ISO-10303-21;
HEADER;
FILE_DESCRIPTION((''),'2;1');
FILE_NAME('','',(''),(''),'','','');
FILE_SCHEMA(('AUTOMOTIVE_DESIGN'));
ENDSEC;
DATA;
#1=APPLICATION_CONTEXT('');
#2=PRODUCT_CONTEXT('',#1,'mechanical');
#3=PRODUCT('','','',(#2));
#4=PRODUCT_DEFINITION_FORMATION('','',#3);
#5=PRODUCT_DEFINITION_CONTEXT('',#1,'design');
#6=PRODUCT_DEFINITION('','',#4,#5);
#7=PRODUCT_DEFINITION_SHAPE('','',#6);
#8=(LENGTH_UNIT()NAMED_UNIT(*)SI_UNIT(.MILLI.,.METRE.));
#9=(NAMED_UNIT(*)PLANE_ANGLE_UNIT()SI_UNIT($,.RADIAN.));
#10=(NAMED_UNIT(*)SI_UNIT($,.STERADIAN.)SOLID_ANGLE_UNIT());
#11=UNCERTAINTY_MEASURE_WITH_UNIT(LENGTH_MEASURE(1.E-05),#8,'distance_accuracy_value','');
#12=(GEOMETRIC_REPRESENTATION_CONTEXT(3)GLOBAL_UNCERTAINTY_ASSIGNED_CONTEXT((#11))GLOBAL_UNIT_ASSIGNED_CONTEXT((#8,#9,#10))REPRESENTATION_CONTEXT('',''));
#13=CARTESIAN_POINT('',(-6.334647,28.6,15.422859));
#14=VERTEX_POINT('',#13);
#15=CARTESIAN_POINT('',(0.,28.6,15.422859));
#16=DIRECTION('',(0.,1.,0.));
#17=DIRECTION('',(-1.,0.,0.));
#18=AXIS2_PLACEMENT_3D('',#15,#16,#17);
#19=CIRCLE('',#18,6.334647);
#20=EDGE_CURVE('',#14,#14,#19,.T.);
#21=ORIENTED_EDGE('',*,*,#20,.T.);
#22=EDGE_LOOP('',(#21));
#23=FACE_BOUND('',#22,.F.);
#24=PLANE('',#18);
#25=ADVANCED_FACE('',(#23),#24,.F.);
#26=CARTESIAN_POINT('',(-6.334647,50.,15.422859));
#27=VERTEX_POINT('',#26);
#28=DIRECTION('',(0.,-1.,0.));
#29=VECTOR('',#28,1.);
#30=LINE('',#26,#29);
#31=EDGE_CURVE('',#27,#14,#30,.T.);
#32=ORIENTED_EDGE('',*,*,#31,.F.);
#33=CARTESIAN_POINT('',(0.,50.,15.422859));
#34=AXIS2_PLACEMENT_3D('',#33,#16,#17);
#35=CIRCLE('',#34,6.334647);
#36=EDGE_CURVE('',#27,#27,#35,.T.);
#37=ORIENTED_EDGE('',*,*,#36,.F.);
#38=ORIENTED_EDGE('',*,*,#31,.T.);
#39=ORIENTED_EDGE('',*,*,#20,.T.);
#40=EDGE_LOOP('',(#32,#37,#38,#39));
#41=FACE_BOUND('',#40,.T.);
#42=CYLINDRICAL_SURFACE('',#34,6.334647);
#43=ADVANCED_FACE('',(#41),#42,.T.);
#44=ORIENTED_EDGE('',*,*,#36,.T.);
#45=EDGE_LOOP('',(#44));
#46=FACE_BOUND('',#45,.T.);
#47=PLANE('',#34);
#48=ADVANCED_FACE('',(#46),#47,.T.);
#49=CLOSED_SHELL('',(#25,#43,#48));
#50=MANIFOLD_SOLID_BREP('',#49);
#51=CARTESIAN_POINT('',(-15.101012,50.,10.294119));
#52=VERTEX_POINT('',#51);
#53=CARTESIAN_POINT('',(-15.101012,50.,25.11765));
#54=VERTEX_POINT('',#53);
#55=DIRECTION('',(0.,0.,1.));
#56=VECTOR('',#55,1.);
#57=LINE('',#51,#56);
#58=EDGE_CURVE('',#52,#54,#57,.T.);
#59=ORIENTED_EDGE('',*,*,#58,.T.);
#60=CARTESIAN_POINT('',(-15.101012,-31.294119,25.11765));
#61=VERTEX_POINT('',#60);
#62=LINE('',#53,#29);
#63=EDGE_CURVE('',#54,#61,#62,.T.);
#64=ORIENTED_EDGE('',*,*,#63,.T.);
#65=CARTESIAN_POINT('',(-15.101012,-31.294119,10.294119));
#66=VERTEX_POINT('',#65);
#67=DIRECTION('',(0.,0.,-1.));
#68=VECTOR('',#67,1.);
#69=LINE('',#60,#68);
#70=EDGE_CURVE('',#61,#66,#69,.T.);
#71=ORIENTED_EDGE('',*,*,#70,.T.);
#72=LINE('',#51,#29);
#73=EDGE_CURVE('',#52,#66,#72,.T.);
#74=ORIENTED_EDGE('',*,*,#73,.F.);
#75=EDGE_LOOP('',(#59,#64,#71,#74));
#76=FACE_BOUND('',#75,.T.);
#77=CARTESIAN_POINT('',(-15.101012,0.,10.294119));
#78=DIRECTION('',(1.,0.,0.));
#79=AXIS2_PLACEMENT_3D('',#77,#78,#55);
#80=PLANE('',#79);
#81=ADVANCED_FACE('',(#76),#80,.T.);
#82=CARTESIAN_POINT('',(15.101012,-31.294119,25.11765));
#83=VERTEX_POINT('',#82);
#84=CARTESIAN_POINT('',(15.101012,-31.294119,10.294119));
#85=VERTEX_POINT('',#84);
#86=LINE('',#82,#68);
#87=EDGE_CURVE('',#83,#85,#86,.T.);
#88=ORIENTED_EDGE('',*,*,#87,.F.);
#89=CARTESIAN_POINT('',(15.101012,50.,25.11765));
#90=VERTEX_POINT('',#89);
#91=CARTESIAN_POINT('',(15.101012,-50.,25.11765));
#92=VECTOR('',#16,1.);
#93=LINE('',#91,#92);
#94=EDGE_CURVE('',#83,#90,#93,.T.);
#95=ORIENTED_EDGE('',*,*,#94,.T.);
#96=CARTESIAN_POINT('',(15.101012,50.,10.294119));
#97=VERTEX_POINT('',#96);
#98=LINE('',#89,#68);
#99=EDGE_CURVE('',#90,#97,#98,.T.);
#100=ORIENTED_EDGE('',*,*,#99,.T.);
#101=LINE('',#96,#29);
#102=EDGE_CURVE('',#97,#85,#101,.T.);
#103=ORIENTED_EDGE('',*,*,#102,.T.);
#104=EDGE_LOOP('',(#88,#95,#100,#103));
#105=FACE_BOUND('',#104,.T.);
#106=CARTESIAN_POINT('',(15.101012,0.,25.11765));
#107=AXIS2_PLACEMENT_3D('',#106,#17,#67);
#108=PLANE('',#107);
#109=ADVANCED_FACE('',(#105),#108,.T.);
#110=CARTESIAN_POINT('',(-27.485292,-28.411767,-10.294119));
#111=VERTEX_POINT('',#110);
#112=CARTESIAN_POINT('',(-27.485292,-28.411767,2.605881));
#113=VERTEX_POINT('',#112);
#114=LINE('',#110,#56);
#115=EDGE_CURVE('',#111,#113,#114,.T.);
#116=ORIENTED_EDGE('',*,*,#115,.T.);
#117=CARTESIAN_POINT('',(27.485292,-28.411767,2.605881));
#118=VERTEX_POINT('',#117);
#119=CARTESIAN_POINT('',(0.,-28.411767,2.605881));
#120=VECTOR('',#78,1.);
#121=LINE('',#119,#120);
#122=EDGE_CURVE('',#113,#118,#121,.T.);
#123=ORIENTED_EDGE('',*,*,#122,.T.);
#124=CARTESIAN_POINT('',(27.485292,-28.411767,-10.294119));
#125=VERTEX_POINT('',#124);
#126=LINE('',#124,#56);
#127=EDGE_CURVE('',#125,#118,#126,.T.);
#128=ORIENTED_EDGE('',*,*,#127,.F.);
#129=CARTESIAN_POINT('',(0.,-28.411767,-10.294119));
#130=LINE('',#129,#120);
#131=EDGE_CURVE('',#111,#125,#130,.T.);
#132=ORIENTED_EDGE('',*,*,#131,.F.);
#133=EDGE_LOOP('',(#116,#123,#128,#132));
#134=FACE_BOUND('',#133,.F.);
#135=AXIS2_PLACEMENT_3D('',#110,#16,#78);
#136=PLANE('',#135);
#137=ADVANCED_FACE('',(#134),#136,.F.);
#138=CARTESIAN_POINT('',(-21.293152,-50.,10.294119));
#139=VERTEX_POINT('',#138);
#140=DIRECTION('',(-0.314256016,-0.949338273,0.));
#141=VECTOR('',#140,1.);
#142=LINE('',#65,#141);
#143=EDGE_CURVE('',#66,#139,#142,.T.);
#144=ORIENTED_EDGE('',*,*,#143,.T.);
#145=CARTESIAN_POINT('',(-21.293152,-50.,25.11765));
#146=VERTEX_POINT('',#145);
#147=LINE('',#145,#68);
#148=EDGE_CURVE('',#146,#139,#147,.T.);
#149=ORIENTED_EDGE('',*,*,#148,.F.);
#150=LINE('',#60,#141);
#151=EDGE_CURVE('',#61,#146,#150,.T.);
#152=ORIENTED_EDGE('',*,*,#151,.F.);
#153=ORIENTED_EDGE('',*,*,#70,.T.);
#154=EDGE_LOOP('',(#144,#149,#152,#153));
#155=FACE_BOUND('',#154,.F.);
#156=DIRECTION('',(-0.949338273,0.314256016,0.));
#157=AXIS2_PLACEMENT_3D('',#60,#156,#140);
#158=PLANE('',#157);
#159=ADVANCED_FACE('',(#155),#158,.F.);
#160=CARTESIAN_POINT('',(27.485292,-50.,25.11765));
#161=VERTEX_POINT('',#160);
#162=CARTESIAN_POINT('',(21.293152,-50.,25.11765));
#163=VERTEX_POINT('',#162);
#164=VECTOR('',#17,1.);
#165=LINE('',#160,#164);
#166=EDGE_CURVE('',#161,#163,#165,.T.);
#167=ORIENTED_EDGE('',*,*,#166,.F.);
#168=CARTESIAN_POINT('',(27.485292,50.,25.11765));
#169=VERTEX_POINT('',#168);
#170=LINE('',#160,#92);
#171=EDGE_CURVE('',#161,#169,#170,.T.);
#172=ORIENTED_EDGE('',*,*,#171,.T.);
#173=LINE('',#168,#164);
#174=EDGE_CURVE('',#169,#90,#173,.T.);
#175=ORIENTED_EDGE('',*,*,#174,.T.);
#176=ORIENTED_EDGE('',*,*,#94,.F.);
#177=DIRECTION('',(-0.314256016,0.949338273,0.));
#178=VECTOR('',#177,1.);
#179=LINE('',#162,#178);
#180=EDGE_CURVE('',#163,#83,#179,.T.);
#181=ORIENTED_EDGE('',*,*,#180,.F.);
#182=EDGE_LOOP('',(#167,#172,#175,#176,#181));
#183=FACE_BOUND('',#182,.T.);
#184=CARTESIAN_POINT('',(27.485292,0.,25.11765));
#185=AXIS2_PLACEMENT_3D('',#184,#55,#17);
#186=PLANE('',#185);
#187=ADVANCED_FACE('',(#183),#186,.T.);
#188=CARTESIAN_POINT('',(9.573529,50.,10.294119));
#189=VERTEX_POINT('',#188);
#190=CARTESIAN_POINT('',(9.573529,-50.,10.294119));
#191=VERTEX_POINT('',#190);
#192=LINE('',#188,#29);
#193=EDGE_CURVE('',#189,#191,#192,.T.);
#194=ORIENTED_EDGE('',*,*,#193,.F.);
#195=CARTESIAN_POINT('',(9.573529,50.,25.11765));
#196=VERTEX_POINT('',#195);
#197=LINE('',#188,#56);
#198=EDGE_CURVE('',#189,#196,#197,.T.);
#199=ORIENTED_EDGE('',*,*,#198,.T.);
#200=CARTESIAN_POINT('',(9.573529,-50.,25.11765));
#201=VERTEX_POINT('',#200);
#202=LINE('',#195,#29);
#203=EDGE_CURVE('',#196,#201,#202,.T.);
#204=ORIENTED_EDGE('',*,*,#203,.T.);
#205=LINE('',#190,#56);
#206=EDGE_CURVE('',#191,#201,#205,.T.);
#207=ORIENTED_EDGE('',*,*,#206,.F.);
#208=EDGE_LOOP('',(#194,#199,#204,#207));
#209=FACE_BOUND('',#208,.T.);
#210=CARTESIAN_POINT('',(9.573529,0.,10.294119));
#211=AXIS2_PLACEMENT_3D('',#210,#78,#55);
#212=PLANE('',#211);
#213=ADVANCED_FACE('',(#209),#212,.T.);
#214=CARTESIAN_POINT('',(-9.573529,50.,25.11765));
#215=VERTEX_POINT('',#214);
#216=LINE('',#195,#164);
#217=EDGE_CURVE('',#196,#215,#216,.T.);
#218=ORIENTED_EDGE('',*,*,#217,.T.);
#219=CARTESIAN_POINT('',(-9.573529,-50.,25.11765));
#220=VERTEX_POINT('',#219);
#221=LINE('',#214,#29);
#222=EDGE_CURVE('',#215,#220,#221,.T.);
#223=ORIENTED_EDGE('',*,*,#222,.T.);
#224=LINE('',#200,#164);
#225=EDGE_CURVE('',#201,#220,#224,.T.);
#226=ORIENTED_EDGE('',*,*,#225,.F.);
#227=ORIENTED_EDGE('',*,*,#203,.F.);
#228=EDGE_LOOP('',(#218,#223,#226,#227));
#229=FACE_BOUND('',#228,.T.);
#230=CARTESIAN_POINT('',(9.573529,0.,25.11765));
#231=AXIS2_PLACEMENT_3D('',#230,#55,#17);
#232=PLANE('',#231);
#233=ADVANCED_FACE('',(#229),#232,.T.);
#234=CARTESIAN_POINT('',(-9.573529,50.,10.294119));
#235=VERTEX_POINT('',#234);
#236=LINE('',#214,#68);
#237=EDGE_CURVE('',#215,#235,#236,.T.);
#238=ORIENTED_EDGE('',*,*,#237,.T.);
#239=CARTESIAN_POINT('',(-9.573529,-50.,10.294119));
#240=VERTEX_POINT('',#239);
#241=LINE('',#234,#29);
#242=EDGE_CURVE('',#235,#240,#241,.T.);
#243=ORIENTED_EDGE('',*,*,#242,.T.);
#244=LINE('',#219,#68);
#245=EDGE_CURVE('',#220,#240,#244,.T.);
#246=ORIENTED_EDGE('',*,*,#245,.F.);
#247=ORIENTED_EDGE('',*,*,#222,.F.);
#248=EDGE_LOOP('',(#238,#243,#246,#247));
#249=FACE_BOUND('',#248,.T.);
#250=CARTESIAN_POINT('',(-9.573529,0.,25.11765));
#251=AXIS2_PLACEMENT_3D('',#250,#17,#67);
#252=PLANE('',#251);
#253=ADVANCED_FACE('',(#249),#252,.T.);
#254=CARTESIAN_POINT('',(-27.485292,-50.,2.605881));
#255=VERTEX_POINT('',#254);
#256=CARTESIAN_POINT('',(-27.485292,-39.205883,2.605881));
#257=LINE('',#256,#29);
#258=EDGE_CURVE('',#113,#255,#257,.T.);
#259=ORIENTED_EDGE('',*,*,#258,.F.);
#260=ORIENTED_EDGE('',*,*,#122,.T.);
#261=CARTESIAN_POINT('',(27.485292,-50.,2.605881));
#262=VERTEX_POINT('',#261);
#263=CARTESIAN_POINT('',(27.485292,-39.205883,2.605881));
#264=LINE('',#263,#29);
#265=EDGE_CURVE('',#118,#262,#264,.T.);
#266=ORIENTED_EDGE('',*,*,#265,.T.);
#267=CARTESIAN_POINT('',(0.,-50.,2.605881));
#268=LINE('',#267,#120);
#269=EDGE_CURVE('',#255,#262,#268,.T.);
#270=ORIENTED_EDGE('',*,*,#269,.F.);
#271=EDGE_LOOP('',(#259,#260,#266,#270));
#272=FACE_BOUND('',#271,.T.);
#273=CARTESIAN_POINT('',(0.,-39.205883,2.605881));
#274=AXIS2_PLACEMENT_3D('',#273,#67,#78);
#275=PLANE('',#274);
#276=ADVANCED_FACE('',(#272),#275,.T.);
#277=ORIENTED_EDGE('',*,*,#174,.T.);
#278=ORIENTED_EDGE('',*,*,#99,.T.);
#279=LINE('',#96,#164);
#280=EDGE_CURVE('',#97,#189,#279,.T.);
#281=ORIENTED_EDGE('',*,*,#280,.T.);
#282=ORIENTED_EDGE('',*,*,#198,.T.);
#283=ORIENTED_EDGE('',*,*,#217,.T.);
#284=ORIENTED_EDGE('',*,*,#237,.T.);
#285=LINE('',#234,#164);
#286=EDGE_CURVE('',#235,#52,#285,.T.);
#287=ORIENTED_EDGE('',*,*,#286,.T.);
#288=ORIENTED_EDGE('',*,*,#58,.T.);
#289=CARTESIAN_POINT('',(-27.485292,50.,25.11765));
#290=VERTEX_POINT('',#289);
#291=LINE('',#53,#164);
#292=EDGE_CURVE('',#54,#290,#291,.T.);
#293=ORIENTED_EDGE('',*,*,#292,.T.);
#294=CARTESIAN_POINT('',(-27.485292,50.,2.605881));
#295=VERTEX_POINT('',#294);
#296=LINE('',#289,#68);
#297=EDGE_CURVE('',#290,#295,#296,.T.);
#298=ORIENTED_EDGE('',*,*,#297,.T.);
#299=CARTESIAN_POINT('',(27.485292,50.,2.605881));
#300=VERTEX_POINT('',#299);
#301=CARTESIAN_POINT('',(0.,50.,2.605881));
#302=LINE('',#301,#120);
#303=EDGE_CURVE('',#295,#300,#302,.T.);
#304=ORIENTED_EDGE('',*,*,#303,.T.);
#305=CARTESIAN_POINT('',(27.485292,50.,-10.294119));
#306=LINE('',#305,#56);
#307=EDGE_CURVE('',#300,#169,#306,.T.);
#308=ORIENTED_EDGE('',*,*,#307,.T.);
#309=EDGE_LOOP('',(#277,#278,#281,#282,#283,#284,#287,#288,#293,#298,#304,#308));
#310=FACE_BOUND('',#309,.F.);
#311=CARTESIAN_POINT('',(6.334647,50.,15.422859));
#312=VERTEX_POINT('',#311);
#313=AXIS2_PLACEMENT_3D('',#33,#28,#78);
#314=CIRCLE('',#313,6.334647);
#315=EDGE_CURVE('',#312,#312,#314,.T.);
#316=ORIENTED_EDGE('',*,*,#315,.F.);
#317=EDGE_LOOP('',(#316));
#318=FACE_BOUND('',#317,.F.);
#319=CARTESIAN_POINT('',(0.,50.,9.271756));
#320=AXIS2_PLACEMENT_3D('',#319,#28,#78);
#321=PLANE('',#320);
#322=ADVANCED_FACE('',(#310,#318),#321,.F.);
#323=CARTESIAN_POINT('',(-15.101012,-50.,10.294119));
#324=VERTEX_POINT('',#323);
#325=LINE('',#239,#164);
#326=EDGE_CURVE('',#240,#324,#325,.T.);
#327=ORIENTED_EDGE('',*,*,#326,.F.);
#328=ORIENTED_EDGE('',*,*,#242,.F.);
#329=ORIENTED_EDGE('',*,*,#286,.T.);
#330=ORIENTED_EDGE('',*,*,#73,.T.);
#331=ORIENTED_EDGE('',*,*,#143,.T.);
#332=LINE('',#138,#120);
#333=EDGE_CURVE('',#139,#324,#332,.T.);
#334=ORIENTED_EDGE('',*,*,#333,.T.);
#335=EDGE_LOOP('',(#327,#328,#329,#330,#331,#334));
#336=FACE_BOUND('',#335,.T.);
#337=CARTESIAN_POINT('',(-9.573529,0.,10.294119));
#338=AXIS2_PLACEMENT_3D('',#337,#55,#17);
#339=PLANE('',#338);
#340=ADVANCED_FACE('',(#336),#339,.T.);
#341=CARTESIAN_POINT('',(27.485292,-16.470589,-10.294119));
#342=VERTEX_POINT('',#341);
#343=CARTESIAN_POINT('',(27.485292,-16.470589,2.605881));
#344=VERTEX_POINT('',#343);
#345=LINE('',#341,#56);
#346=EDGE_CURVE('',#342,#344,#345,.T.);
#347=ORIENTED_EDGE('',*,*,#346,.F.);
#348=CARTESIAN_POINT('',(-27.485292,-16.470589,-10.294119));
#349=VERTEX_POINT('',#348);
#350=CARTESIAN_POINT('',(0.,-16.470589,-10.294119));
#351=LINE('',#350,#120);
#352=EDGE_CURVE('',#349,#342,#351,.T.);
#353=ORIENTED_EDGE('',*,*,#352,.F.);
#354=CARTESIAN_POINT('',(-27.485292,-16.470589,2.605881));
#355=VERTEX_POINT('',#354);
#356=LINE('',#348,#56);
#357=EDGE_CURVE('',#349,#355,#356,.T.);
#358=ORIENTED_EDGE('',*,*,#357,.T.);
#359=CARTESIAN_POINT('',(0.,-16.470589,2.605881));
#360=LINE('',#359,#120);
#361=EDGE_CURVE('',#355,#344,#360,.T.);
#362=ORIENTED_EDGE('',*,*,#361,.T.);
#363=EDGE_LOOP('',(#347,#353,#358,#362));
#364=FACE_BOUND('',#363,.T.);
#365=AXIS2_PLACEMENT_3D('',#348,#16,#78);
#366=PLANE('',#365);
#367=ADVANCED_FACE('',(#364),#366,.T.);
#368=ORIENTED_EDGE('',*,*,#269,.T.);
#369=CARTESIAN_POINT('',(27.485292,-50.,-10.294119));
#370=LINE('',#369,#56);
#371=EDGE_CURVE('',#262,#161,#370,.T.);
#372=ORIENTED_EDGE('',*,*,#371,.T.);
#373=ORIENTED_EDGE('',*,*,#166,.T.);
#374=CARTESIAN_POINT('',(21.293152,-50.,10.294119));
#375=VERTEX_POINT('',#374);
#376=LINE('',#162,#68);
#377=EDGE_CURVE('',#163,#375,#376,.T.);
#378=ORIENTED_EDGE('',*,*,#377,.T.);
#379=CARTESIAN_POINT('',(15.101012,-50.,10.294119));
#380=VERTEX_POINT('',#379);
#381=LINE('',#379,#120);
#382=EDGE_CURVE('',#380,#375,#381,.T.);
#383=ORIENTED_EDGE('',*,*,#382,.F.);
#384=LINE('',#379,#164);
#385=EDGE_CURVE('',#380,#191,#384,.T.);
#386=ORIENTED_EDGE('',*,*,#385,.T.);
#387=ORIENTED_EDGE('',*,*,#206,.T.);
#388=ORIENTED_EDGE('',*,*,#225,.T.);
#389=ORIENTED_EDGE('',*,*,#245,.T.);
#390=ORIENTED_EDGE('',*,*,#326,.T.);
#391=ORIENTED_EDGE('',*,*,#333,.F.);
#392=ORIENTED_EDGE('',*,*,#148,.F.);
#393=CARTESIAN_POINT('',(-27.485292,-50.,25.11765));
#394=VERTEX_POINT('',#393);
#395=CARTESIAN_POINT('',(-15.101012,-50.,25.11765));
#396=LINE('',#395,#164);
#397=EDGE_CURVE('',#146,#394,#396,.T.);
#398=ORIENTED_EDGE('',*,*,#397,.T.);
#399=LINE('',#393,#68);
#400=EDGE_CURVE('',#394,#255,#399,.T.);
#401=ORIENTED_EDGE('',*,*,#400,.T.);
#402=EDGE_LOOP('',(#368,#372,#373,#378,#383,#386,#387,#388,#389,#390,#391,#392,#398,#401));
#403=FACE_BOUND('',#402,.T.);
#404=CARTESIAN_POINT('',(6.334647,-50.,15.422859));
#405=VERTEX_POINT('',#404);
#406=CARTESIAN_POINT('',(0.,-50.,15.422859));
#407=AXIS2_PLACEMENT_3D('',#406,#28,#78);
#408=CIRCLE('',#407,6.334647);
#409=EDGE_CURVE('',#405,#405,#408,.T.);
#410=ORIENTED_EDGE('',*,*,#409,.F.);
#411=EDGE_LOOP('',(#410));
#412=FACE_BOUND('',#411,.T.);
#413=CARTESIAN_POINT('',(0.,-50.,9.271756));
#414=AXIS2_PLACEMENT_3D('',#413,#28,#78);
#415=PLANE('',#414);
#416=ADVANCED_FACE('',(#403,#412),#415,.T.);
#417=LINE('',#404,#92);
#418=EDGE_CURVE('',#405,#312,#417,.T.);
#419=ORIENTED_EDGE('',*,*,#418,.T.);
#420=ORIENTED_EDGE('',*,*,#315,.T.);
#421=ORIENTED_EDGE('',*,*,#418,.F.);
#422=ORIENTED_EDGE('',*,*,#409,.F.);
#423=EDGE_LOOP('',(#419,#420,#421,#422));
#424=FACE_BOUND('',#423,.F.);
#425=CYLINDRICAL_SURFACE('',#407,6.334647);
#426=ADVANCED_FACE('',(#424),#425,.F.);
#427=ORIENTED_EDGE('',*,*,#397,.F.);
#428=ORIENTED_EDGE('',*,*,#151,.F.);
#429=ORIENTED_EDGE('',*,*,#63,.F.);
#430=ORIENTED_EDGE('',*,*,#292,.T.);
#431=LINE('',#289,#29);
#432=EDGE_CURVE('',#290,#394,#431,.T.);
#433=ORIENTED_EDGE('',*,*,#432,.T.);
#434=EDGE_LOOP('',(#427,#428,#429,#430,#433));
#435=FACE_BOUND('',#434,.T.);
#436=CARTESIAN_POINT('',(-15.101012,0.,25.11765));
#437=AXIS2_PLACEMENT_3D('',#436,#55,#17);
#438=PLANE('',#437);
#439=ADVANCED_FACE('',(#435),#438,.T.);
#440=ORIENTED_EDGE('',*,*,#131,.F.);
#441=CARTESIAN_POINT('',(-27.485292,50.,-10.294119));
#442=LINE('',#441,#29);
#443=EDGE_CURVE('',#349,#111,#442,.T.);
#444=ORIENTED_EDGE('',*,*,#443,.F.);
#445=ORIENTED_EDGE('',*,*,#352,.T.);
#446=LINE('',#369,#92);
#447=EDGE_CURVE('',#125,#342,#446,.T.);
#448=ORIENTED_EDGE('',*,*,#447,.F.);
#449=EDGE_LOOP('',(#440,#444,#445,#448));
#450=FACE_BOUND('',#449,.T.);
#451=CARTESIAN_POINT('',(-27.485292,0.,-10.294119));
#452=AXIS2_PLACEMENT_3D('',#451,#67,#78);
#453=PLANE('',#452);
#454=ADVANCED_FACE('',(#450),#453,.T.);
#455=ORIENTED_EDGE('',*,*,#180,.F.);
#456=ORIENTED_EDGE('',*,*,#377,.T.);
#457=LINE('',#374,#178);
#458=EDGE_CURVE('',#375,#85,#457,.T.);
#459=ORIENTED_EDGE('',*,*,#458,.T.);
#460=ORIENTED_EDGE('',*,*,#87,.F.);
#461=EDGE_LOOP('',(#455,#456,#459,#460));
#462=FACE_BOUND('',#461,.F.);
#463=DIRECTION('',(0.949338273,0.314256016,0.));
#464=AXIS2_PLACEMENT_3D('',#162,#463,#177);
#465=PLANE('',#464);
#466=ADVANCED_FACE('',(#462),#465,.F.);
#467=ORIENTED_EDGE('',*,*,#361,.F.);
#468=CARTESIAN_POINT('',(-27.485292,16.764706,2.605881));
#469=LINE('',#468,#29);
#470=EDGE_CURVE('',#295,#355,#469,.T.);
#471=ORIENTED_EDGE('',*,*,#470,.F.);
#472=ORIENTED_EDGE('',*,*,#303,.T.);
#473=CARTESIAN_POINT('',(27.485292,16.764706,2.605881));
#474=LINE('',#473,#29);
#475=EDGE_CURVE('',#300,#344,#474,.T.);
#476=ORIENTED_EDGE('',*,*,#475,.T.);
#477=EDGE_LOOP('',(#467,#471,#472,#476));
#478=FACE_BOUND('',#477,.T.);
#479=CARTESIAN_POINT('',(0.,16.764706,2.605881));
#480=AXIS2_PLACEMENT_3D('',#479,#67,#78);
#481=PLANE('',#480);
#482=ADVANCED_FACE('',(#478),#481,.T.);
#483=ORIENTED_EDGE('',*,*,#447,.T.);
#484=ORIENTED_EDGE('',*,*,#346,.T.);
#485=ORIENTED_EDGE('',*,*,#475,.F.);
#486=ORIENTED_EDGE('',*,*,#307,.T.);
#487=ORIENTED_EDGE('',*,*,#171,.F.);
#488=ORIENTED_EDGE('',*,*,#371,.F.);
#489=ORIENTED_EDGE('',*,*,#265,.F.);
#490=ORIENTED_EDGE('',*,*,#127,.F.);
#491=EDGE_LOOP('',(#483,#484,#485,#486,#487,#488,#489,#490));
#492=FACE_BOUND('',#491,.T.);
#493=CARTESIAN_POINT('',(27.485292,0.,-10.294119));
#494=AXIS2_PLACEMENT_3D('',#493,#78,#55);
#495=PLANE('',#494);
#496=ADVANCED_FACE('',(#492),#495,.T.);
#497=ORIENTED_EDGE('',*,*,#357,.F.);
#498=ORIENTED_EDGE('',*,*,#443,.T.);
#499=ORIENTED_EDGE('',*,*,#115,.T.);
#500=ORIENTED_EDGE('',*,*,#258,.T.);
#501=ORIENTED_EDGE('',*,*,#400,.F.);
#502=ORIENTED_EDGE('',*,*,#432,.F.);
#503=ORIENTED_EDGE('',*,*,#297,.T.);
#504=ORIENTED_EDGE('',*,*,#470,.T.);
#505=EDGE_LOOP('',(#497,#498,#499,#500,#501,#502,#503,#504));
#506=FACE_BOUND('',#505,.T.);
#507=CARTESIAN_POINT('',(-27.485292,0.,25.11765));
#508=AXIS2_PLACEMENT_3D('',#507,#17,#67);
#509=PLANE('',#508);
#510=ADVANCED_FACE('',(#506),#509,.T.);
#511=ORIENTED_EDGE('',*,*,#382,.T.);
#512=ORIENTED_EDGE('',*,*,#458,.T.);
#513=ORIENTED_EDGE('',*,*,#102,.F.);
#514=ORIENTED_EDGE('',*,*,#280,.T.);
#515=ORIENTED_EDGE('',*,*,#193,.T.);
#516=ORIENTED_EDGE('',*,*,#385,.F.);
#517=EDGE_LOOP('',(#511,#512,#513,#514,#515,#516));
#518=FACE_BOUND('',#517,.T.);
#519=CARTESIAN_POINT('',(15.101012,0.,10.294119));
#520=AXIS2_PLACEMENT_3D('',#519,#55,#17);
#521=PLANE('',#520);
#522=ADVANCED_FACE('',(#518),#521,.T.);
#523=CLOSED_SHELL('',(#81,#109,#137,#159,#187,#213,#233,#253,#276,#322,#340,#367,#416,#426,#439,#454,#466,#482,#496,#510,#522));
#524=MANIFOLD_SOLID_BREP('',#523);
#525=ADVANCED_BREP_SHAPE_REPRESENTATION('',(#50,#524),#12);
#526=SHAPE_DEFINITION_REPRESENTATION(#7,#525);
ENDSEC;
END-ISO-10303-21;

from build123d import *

# Parameters (mm, degrees)
F1_DEPTH = 50
F2_W     = 54.9705848098
F2_H     = 21.5882334858
F2_H_2   = 66.4705887437
F3_DEPTH = 12.9
F5_DEPTH = 14.8235308006
F6_R     = 6.3346465425
F7_DEPTH = 114.6
F8_R     = 6.3346465425
F9_DEPTH = 21.4


with BuildPart() as f1:
    # F0 (on Front) → F1 (new body, symmetric)
    with BuildSketch(Plane.XZ):
        Polygon((15.1010118425, 25.1176496968), (15.1010118425, 10.2941188961), (9.5735294744, 10.2941188961), (9.5735294744, 25.1176496968), (-9.5735294744, 25.1176496968), (-9.5735294744, 10.2941188961), (-15.1010118425, 10.2941188961), (-15.1010118425, 25.1176496968), (-27.4852924049, 25.1176496968), (-27.4852924049, 10.2941188961), (-27.4852924049, -10.2941188961), (-15.1010118425, -10.2941188961), (27.4852924049, -10.2941188961), (27.4852924049, 10.2941188961), (27.4852924049, 25.1176496968), align=None)
    extrude(amount=F1_DEPTH, both=True)

    # F2 (on face) → F3 (cut)
    with BuildSketch(Plane(origin=(0, 0, -10.2941188961), x_dir=(1, 0, 0), z_dir=(0, 0, -1))):
        with Locations((0, 39.2058832571)):
            Rectangle(F2_W, F2_H)
        with Locations((0, -16.7647056282)):
            Rectangle(F2_W, F2_H_2)
    extrude(amount=-F3_DEPTH, mode=Mode.SUBTRACT)

    # F4 (on face) → F5 (cut, through all)
    with BuildSketch(Plane.XY.offset(25.1176496968)):
        Polygon((-15.1010118425, -31.294118613), (-21.2931521237, -50), (-15.1010118425, -50), align=None)
        Polygon((15.1010118425, -50), (21.2931521237, -50), (15.1010118425, -31.294118613), align=None)
    extrude(amount=-F5_DEPTH, mode=Mode.SUBTRACT)

    # F6 (on face) → F7 (cut)
    with BuildSketch(Plane.XZ.offset(50)):
        with Locations((0, 15.4228592291)):
            Circle(F6_R)
    extrude(amount=-F7_DEPTH, mode=Mode.SUBTRACT)


with BuildPart() as f9:
    # F8 (on face) → F9 (new body)
    with BuildSketch(Plane(origin=(0, 50, 0), x_dir=(-1, 0, 0), z_dir=(0, 1, 0))):
        with Locations((0, 15.4228592291)):
            Circle(F8_R)
    extrude(amount=-F9_DEPTH)


solid = Compound([f1.part, f9.part])
